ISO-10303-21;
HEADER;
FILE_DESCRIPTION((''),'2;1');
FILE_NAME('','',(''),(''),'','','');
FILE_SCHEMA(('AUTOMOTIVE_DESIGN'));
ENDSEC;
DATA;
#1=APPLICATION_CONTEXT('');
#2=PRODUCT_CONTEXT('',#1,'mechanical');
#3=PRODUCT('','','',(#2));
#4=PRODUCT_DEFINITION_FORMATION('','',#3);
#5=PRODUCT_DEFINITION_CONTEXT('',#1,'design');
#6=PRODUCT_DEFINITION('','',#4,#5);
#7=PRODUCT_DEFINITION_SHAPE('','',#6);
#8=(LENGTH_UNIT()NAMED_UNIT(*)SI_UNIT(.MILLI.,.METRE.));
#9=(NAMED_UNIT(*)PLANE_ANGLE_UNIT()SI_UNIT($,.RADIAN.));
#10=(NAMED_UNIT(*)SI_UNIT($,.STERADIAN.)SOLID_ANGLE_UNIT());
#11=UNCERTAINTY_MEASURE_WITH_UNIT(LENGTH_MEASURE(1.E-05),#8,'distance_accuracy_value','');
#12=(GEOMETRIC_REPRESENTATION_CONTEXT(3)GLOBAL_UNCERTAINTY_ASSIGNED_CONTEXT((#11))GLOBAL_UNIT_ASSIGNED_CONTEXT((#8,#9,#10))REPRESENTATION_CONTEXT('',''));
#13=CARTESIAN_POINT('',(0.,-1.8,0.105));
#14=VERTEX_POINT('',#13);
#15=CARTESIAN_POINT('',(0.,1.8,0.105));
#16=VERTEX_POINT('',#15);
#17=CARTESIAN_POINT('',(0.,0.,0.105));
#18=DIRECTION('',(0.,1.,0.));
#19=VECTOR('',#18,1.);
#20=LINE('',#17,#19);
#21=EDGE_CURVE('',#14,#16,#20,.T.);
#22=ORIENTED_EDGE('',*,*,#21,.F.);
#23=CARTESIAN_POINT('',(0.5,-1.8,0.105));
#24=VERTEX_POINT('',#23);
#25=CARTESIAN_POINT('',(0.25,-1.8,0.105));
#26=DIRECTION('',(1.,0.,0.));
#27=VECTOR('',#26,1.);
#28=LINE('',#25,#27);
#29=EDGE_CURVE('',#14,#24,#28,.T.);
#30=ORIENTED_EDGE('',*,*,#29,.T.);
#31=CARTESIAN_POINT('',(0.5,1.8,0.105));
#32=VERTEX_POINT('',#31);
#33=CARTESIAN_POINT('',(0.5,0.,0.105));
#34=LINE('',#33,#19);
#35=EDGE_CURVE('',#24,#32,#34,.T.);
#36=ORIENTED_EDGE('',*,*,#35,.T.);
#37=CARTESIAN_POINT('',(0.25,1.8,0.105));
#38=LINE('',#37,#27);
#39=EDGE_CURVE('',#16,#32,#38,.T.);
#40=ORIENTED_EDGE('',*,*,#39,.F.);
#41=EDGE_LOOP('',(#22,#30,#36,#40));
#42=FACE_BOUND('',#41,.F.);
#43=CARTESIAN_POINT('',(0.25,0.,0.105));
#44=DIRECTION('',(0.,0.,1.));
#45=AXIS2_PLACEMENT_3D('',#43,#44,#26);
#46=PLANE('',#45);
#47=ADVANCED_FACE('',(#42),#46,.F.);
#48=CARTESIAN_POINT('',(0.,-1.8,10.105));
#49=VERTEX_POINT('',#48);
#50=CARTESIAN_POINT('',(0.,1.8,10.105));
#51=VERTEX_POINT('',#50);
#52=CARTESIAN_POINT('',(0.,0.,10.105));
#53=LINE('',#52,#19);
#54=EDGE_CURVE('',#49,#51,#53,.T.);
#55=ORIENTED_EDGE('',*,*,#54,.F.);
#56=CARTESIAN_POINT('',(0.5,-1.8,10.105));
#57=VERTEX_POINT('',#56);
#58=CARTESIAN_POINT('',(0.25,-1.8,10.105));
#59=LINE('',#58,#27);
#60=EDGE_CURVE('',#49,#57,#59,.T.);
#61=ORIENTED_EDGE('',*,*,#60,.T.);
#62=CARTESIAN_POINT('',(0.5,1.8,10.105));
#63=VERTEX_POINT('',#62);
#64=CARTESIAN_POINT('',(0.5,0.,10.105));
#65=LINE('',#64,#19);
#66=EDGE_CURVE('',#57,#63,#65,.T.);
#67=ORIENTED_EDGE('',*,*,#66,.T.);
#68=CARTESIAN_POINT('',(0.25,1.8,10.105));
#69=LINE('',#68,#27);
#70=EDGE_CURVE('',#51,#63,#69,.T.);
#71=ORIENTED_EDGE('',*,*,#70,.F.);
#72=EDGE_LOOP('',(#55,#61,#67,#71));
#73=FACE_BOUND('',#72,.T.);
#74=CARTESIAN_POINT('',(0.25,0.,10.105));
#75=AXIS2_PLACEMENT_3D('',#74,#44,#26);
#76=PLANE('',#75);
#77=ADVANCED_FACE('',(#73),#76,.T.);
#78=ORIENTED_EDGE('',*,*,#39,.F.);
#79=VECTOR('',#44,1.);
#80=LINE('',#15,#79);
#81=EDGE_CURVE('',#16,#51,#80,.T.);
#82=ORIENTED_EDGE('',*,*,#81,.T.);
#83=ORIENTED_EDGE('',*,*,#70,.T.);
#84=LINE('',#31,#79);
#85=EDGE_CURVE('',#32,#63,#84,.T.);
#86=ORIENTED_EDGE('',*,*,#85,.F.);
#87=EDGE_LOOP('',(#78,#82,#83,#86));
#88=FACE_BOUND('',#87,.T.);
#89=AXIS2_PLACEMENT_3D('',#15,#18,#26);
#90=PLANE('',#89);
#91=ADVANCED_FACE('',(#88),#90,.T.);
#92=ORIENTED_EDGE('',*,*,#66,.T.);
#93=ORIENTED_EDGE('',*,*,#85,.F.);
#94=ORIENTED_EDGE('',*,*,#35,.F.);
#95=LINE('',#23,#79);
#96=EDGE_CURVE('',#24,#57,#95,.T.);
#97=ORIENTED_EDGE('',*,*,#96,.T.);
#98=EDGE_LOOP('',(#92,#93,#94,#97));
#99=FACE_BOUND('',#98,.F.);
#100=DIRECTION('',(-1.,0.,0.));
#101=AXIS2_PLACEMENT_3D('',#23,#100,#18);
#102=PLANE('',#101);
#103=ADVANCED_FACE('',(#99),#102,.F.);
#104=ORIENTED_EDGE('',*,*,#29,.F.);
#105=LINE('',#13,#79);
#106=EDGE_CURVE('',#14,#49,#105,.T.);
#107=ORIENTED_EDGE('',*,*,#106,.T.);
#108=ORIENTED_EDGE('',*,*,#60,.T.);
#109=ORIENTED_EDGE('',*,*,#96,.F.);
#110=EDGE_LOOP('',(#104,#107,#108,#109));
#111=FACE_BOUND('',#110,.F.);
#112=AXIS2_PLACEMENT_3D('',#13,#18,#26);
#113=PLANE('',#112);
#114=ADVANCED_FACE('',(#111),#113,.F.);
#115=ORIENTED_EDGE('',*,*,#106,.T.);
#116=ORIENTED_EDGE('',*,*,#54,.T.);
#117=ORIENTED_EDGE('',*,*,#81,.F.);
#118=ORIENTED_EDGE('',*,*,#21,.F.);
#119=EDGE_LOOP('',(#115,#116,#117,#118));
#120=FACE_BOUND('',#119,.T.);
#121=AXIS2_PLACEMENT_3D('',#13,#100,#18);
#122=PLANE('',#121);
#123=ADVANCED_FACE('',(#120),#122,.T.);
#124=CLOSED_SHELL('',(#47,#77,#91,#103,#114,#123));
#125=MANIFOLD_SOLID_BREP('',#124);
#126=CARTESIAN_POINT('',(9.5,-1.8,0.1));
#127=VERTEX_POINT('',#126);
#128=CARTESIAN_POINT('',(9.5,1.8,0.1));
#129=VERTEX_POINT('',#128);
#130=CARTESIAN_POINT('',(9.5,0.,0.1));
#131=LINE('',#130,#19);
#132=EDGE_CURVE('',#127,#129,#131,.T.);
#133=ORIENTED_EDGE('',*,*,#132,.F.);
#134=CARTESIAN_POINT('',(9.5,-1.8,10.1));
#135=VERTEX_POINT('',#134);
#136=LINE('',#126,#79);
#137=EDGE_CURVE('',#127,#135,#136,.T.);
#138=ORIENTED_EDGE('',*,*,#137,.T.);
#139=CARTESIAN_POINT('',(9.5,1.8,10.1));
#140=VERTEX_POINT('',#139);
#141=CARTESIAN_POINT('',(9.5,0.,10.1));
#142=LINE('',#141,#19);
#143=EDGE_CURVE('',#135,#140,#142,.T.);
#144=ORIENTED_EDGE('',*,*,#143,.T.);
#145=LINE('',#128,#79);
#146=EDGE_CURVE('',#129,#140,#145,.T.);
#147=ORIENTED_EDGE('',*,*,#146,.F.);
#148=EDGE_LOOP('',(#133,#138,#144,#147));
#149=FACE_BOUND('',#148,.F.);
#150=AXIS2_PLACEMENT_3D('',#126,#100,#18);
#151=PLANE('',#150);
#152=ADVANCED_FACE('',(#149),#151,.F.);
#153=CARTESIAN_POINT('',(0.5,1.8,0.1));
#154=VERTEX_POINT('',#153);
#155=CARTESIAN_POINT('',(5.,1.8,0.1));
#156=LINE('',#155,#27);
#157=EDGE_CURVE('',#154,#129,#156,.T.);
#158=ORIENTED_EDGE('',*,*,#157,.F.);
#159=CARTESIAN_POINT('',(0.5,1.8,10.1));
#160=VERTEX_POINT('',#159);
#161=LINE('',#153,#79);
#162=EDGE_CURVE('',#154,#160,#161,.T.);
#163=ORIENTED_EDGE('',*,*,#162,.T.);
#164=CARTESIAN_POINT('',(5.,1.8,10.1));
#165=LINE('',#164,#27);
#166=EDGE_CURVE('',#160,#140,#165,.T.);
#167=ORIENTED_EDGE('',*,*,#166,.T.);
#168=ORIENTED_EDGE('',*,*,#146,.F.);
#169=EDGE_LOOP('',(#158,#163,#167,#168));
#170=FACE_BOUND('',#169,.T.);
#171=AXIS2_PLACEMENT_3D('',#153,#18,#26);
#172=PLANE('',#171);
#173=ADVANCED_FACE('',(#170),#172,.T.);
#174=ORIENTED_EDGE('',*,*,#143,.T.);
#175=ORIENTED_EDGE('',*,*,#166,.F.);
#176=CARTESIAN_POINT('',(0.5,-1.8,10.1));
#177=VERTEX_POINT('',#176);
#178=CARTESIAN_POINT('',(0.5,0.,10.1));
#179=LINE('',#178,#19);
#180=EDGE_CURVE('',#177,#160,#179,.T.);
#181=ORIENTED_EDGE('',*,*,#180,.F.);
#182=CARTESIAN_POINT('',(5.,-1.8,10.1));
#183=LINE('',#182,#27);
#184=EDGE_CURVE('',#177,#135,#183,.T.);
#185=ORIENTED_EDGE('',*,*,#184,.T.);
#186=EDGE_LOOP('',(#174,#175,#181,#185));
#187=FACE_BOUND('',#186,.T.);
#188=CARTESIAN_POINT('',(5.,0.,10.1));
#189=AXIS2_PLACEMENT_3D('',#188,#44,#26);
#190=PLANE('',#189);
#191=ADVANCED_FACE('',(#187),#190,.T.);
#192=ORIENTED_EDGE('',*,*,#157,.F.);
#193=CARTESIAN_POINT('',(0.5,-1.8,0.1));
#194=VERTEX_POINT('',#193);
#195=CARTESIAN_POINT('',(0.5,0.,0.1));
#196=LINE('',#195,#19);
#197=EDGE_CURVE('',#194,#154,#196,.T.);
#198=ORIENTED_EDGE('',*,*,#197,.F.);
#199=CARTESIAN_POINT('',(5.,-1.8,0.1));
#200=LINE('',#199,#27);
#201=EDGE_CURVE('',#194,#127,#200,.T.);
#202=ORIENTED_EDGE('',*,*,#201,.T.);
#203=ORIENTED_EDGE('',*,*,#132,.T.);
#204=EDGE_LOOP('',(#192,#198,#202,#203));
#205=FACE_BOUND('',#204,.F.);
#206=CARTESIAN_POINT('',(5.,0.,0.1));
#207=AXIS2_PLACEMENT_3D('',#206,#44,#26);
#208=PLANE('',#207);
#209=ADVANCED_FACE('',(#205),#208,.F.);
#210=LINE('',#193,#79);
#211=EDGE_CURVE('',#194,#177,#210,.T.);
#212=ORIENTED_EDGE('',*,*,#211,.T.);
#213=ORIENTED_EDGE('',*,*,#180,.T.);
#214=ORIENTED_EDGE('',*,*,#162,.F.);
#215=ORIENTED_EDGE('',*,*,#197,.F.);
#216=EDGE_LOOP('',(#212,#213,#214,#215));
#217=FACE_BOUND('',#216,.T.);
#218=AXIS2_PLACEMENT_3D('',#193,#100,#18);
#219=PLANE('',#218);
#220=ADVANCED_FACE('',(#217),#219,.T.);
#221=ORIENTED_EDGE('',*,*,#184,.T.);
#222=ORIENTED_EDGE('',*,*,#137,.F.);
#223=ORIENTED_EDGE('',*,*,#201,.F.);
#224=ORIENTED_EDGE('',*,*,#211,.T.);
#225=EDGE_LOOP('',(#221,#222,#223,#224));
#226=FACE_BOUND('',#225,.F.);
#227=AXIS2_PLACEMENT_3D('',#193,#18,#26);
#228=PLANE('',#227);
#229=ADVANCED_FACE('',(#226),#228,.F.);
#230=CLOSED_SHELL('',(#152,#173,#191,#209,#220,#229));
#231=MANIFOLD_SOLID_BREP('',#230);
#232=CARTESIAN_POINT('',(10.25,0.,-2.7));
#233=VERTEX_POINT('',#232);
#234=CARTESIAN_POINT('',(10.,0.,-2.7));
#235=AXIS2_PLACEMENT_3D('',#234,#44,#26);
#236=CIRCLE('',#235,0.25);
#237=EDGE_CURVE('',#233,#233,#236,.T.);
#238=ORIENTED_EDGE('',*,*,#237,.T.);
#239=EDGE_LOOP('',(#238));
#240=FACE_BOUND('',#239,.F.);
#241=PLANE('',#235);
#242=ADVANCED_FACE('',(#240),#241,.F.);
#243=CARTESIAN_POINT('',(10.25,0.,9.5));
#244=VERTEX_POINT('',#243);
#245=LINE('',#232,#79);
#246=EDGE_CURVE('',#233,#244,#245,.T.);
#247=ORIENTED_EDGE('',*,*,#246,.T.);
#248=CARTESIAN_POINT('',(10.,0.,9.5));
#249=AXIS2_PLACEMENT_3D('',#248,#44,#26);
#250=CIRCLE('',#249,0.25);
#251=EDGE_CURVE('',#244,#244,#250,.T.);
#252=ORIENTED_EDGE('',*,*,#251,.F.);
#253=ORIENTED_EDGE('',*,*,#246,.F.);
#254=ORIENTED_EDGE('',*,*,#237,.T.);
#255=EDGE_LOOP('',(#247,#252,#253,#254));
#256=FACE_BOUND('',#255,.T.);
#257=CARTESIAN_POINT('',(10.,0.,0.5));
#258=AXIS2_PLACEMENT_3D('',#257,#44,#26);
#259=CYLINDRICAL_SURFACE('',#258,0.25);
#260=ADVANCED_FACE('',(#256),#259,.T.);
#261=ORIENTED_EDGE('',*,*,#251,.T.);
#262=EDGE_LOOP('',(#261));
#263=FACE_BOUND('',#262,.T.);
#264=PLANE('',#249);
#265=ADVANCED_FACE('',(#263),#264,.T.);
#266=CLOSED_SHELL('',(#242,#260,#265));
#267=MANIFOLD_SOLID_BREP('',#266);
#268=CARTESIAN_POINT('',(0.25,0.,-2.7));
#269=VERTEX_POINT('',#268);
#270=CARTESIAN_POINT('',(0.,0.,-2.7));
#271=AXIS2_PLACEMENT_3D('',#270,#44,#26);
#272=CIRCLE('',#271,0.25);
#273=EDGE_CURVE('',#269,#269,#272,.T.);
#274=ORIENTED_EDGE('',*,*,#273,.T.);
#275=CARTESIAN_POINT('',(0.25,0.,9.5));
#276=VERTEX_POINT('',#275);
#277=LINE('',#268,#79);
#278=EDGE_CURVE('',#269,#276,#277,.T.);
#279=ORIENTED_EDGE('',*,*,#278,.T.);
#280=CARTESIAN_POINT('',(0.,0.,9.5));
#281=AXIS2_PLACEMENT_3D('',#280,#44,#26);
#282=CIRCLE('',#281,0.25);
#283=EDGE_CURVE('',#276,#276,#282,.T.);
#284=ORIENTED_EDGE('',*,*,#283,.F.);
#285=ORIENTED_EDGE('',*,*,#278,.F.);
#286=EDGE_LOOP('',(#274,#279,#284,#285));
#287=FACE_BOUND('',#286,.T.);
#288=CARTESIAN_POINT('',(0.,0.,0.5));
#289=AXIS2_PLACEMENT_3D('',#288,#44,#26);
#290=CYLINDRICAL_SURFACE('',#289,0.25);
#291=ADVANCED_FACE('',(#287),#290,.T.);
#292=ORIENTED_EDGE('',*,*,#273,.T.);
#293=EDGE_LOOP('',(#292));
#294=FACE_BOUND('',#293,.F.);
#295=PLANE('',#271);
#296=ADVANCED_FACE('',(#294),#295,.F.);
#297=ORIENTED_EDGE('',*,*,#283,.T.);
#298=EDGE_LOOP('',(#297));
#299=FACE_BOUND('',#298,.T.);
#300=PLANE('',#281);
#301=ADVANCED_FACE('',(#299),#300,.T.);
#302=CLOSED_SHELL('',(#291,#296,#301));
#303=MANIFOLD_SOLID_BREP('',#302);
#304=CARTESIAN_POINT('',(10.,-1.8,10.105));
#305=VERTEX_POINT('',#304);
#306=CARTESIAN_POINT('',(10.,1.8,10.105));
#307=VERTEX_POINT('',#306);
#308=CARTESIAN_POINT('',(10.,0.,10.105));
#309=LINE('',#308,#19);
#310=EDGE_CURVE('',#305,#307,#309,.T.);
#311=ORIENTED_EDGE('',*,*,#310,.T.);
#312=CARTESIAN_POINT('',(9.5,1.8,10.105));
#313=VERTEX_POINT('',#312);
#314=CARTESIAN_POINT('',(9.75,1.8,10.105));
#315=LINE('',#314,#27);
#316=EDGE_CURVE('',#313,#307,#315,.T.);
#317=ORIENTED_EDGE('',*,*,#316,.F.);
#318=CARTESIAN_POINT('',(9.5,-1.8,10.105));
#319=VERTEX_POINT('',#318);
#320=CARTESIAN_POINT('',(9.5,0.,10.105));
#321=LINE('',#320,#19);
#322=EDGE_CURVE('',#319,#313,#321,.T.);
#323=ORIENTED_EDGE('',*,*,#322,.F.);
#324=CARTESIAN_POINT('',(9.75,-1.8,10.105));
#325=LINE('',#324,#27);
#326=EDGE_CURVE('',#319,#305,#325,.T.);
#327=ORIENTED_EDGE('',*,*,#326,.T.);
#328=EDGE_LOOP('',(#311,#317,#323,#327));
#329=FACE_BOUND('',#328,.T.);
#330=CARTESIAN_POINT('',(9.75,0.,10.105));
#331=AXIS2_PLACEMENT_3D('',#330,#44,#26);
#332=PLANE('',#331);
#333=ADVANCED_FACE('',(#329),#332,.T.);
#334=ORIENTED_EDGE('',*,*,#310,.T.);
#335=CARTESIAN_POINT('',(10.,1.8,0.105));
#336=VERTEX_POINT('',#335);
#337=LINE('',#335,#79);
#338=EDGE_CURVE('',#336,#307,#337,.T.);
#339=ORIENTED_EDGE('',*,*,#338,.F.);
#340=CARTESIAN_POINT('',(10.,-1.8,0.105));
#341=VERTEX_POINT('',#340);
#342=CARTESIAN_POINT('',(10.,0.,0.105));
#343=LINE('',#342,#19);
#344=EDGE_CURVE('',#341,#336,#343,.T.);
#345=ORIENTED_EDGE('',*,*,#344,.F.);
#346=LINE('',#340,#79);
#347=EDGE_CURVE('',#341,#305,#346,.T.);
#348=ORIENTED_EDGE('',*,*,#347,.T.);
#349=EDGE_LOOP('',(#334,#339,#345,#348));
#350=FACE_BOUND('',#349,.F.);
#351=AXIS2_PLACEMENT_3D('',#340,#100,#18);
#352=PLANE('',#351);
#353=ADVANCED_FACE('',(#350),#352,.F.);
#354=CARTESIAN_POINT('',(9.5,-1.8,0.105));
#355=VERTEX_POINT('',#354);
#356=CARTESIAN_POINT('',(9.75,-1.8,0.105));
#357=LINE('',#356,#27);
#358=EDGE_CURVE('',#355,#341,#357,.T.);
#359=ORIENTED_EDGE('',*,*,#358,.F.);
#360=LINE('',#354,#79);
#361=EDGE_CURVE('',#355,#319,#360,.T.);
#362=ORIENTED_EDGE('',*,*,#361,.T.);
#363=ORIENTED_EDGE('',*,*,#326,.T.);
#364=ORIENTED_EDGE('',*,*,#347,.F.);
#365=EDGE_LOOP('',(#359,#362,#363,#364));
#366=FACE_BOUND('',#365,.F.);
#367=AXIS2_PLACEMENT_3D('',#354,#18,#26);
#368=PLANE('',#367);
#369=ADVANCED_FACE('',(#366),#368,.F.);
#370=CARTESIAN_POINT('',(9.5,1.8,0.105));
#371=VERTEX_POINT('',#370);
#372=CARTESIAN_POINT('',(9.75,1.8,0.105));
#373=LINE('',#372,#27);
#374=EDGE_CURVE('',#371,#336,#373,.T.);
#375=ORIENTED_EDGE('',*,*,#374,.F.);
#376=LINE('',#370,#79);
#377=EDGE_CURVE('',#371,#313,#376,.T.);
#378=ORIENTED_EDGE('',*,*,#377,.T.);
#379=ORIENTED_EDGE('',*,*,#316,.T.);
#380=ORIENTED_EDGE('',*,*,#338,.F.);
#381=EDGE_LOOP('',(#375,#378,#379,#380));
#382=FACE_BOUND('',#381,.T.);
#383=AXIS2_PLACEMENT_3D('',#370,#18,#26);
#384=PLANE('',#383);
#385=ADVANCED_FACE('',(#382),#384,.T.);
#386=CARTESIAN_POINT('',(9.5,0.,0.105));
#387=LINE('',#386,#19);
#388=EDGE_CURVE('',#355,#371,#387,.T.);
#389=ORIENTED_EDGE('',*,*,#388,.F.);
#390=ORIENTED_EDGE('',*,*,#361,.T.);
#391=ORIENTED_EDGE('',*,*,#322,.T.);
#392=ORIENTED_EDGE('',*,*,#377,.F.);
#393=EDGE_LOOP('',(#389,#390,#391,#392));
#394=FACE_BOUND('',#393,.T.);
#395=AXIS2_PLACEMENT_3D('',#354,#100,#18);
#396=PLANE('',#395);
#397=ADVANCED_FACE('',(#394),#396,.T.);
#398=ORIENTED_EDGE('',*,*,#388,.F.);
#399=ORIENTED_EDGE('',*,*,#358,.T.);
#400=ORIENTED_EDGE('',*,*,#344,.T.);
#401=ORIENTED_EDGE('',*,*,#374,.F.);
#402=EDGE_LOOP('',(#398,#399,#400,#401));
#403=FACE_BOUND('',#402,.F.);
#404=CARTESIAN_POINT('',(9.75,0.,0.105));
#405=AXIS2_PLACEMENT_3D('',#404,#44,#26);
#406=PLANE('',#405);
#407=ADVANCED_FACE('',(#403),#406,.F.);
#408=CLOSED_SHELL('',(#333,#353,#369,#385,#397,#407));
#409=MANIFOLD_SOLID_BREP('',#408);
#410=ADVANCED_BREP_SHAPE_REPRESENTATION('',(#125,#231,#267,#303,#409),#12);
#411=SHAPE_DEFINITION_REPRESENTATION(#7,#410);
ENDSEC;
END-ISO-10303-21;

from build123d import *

# Parameters (mm, degrees)
SKETCH_W          = 9
SKETCH_H          = 3.6
PAD_DEPTH         = 10
SKETCH001_R       = 0.25
PAD001_DEPTH      = 9
PAD001_DEPTH_BACK = 3.2
SKETCH002_W       = 0.5
SKETCH002_H       = 3.6
PAD002_DEPTH      = 10


with BuildPart() as pad:
    # Sketch → Pad (new body)
    with BuildSketch(Plane.XY.offset(0.1)):
        with Locations((5, 0)):
            Rectangle(SKETCH_W, SKETCH_H)
    extrude(amount=PAD_DEPTH)


with BuildPart() as pad001:
    # Sketch001 → Pad001 (new body, two sides)
    with BuildSketch(Plane.XY.offset(0.5)) as pad001_sk:
        Circle(SKETCH001_R)
        with Locations((10, 0)):
            Circle(SKETCH001_R)
    extrude(amount=PAD001_DEPTH)
    extrude(pad001_sk.sketch, amount=-PAD001_DEPTH_BACK)


with BuildPart() as pad002:
    # Sketch002 → Pad002 (new body)
    with BuildSketch(Plane.XY.offset(0.105)):
        with Locations((0.25, 0)):
            Rectangle(SKETCH002_W, SKETCH002_H)
        with Locations((9.75, 0)):
            Rectangle(SKETCH002_W, SKETCH002_H)
    extrude(amount=PAD002_DEPTH)


solid = Compound([pad.part, pad001.part, pad002.part])
